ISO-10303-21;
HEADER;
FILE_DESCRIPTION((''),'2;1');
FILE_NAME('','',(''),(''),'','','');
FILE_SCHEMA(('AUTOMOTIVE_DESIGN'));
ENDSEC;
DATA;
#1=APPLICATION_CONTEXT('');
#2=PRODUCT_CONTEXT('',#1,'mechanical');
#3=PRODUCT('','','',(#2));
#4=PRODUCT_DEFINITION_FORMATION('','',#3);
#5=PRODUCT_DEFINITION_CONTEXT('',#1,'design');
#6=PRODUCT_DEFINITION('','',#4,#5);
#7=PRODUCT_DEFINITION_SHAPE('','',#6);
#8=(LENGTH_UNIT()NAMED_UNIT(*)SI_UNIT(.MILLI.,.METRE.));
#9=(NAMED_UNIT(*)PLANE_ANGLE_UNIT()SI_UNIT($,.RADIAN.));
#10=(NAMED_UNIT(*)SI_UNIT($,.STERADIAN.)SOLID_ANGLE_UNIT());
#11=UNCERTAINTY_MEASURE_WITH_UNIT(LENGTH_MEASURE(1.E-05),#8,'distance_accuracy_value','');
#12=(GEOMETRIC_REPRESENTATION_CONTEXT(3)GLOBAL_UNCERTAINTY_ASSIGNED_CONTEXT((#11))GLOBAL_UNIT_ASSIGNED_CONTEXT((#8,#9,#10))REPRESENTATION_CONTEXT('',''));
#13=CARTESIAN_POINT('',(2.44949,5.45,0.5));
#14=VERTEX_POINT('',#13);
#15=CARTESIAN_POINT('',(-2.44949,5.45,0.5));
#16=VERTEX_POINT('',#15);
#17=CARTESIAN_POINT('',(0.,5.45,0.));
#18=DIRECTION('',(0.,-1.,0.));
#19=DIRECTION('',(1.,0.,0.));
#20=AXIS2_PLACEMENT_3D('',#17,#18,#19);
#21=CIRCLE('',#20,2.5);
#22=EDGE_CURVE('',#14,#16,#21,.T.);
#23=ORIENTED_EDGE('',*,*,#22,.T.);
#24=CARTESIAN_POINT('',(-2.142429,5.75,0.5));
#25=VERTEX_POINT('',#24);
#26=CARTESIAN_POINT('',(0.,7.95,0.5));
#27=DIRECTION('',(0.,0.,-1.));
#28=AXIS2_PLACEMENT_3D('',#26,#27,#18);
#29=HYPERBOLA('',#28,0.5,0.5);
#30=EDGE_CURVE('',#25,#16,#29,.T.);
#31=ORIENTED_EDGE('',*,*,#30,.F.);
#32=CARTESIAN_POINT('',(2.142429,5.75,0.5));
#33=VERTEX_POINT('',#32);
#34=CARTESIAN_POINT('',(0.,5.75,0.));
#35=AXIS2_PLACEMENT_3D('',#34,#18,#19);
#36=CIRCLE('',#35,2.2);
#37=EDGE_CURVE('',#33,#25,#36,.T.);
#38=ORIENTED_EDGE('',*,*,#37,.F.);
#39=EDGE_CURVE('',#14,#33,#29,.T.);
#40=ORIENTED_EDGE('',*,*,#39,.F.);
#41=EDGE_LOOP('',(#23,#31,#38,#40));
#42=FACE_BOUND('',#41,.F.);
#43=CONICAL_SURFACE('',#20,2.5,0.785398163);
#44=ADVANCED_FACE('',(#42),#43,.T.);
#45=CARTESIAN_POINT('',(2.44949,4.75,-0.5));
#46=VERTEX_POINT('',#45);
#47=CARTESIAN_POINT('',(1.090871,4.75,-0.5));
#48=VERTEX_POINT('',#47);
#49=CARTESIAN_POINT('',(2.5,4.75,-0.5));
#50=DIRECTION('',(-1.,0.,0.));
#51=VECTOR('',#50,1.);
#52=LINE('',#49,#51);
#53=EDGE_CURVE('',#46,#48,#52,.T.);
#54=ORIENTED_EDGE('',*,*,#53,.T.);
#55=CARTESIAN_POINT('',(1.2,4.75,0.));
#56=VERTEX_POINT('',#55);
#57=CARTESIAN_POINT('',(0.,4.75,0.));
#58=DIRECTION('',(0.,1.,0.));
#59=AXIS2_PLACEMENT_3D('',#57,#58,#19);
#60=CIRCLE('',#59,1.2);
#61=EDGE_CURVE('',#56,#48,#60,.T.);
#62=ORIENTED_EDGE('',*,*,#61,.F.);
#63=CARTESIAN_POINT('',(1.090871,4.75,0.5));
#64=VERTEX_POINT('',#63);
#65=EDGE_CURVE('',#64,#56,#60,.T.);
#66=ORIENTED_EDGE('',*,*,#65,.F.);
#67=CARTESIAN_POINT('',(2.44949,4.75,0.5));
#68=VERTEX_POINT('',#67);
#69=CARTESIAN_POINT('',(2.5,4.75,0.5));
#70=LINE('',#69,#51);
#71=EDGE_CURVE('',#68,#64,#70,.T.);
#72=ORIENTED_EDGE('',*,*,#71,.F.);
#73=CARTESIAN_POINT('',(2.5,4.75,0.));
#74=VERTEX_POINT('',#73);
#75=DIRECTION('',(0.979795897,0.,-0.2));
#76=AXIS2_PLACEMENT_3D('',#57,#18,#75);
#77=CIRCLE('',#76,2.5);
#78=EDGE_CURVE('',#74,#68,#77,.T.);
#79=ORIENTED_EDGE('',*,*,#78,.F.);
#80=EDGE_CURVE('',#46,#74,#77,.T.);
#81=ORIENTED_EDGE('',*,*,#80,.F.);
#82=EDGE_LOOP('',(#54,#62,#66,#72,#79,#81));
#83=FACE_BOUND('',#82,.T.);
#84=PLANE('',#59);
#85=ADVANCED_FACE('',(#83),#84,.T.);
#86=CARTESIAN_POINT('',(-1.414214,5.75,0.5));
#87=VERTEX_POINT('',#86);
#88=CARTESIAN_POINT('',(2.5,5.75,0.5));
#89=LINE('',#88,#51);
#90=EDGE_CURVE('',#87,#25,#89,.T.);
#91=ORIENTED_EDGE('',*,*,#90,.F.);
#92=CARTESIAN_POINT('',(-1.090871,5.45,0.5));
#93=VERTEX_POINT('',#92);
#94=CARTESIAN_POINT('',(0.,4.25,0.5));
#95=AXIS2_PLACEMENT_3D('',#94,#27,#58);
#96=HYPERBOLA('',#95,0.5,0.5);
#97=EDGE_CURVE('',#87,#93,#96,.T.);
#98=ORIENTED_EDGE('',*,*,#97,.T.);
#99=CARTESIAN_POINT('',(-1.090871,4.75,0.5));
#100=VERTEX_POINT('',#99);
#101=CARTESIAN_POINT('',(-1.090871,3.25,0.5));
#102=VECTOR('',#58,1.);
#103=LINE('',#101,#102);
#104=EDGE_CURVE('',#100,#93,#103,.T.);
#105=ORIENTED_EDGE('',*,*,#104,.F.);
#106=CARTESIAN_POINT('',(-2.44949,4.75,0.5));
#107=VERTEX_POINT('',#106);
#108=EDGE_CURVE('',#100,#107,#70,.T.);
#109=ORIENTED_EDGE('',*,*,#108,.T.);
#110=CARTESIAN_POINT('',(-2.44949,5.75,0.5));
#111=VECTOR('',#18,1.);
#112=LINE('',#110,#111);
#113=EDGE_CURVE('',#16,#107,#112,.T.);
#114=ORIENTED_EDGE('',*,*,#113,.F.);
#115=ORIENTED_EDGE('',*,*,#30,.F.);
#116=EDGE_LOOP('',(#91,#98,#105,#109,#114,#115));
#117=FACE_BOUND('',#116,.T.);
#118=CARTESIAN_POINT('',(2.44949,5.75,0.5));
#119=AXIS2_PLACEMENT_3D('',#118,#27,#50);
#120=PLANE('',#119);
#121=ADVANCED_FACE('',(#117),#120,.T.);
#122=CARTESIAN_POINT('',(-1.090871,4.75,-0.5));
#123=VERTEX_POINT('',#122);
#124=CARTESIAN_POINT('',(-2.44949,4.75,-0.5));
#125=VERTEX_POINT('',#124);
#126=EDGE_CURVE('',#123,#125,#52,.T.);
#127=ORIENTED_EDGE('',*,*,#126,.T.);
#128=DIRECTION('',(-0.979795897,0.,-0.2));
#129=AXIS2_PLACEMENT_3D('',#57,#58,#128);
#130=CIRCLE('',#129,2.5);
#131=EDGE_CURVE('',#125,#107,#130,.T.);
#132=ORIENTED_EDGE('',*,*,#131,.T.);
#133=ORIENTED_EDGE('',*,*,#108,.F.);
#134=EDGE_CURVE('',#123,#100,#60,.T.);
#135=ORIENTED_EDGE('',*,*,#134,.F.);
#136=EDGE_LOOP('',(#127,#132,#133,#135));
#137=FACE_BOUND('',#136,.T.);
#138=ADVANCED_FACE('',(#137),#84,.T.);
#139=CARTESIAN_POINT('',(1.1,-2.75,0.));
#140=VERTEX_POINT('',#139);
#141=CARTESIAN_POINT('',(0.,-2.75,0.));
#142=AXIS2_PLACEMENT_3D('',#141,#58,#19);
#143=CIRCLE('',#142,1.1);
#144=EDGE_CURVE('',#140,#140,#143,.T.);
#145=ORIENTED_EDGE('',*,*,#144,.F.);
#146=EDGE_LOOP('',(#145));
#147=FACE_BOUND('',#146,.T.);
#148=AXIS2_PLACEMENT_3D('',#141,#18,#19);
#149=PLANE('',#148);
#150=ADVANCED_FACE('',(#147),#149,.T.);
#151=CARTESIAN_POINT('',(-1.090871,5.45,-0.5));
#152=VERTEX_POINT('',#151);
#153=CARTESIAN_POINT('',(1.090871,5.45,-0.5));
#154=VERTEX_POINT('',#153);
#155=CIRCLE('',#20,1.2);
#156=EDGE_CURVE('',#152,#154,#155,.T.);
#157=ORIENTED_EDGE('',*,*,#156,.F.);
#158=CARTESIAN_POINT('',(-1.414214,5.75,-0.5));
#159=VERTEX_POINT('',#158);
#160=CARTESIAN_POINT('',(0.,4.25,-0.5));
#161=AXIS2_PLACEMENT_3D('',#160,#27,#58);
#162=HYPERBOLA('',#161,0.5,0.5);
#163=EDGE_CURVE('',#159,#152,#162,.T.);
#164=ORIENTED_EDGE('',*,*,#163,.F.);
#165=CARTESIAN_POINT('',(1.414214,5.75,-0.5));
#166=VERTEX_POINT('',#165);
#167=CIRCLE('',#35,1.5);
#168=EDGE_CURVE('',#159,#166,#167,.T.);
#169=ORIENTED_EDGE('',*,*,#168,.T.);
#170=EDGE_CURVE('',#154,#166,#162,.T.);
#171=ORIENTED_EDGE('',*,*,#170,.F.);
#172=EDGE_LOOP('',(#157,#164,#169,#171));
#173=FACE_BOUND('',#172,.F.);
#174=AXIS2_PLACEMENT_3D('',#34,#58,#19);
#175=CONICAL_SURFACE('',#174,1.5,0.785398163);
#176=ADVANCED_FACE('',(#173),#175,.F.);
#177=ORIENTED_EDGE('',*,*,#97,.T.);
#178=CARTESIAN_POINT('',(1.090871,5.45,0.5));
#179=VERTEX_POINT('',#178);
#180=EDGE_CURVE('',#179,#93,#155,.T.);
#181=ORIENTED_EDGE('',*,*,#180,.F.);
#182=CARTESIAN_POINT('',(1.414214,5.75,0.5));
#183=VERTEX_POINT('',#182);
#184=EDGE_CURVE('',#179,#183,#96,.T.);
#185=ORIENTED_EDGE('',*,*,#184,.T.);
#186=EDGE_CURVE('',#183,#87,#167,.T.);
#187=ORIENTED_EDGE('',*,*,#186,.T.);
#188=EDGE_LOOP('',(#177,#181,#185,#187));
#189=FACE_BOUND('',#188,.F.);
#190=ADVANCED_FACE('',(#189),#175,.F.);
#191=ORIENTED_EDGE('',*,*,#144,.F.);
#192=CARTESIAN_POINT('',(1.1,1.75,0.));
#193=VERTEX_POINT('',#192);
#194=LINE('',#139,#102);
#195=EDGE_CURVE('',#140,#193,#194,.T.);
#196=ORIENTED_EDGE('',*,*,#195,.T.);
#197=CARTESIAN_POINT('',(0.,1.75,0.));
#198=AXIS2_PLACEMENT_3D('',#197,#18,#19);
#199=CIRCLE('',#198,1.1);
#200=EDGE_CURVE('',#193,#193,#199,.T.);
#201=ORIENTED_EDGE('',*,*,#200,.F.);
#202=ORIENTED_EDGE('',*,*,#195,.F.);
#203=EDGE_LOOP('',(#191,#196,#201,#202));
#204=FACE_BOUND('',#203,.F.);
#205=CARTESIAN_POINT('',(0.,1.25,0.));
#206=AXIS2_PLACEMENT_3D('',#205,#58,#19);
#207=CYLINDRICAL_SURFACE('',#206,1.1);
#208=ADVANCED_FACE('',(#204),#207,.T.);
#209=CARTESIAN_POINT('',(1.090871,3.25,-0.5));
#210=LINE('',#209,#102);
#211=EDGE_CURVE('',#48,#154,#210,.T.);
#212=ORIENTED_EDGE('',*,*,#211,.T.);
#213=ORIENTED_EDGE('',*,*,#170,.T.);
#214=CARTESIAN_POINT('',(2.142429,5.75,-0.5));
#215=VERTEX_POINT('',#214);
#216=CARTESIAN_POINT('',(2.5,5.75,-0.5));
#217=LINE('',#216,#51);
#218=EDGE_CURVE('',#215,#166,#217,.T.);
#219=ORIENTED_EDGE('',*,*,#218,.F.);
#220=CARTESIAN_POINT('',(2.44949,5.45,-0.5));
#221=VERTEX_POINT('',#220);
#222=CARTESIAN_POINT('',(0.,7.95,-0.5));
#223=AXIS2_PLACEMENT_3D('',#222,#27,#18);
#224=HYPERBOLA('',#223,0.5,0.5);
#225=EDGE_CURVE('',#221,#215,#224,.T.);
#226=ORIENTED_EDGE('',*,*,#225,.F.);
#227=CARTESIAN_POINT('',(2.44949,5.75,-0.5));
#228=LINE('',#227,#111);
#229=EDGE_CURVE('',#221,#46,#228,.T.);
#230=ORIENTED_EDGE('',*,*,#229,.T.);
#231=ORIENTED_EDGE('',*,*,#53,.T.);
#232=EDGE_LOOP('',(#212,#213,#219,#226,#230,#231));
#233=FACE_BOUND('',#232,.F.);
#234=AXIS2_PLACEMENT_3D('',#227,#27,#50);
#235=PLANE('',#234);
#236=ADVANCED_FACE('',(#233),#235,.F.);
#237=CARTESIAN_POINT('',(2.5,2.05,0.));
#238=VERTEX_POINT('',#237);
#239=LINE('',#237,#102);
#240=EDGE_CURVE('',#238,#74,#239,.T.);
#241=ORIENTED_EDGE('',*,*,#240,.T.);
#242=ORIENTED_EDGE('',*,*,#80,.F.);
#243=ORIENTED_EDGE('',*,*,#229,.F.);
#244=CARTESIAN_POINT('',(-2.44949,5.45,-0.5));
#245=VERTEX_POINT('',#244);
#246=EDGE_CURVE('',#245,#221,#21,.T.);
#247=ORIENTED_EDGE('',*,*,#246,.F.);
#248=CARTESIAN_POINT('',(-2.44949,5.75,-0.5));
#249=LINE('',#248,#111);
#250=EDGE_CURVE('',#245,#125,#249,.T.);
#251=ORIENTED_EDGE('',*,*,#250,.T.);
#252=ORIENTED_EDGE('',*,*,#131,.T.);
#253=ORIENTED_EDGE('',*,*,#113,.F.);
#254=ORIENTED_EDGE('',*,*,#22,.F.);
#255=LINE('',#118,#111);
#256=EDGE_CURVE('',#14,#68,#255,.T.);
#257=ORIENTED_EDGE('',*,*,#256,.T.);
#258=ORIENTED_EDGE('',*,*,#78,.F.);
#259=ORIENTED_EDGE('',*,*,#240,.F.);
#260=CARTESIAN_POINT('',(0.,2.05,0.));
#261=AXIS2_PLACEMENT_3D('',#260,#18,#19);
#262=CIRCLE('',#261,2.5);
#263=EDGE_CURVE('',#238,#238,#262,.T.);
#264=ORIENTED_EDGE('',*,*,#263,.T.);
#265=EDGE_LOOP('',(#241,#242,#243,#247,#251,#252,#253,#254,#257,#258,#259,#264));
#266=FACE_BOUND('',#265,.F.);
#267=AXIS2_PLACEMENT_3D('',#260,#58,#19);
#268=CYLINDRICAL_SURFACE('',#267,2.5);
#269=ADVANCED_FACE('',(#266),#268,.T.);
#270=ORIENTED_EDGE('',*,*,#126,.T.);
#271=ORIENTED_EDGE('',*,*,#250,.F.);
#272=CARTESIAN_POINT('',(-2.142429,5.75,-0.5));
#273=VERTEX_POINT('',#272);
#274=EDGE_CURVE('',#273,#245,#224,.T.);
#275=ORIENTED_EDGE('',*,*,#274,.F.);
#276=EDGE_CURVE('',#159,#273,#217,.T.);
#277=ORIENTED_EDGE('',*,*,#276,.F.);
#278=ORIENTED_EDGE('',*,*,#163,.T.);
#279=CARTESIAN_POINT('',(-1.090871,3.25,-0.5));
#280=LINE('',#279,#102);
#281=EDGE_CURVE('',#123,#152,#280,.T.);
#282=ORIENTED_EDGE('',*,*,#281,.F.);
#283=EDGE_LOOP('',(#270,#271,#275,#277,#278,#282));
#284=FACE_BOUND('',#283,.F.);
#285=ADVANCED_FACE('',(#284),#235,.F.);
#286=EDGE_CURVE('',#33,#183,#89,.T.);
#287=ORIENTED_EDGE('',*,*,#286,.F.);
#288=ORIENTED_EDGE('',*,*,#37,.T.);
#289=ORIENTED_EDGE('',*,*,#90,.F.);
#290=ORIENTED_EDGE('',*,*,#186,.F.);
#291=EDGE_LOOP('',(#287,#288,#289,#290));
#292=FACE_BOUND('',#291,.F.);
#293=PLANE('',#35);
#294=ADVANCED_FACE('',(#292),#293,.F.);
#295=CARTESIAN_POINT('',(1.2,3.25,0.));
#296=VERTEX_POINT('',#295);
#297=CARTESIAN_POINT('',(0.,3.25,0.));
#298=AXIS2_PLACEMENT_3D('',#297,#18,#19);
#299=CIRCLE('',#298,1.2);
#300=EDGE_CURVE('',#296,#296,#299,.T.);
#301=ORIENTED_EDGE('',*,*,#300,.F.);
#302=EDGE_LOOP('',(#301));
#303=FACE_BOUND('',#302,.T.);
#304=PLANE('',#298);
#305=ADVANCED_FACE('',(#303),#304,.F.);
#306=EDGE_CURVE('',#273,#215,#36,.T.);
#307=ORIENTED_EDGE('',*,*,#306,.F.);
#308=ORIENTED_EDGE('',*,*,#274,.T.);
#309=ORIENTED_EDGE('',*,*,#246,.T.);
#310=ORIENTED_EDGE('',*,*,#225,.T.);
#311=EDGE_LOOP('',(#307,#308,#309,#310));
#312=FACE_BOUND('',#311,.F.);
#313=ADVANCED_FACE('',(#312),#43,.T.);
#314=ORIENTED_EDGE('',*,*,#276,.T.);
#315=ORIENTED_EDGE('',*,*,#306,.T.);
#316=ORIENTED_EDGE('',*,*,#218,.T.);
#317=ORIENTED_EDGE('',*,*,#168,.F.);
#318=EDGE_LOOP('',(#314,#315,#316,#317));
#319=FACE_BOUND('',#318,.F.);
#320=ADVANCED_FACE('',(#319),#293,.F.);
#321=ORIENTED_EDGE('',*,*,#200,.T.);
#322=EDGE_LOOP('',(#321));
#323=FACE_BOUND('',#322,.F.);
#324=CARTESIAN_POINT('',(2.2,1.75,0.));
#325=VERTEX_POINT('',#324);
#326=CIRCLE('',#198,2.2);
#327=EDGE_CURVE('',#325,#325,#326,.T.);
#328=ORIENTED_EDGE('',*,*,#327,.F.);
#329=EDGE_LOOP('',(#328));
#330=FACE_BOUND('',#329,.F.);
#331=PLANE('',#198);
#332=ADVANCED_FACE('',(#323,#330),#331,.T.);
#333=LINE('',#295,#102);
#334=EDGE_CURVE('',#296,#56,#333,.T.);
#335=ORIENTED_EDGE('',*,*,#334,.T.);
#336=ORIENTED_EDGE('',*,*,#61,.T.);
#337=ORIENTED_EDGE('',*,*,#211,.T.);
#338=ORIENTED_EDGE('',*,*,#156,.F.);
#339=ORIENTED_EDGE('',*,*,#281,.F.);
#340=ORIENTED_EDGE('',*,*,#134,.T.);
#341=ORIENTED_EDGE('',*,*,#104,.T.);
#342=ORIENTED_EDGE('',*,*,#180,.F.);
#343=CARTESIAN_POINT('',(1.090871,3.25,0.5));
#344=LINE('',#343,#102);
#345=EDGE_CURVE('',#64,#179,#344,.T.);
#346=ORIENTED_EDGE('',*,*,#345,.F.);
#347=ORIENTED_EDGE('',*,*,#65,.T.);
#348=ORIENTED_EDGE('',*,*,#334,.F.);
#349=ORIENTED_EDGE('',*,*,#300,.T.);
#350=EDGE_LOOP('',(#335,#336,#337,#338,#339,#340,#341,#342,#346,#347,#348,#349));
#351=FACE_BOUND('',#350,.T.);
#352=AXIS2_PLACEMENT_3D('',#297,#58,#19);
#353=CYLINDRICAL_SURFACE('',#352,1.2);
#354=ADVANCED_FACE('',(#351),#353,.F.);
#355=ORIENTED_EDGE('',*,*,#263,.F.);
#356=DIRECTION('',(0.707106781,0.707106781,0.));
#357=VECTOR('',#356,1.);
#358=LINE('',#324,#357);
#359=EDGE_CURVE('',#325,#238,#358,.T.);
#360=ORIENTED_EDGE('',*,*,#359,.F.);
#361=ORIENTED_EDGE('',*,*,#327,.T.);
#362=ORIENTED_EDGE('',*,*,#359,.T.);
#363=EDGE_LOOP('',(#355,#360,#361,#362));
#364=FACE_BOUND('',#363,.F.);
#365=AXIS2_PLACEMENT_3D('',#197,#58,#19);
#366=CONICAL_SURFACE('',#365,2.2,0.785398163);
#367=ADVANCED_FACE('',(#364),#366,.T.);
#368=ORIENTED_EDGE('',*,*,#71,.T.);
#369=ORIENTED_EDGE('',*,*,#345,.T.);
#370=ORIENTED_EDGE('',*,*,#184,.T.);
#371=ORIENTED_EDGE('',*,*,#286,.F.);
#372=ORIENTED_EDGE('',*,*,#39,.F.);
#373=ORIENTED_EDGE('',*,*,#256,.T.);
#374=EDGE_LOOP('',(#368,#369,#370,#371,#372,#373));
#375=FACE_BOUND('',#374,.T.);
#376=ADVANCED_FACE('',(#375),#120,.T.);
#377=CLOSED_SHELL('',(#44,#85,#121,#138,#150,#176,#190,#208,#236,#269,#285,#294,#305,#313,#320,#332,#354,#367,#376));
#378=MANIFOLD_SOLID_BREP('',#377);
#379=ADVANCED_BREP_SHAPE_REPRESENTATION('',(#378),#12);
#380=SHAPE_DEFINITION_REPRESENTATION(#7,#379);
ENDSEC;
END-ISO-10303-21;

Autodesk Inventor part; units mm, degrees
ref_plane "YZ Plane" through (0, 0, 0) normal (1, 0, 0) x (0, 1, 0)
ref_plane "XZ Plane" through (0, 0, 0) normal (0, 1, 0) x (-1, 0, 0)
ref_plane "XY Plane" through (0, 0, 0) normal (0, 0, 1) x (1, 0, 0)
sketch "スケッチ1" plane through (0, 0, 0) normal (0, 0, 1) x (1, 0, 0)
  line L0 (0, -3.25) -> (0.8, -3.25)
  line L1 (0.8, -3.25) -> (1.1, -2.95)
  line L2 (1.1, -2.95) -> (1.1, 1.25)
  line L3 (1.1, 1.25) -> (1.1, 1.25)
  line L4 (1.1, 1.25) -> (1.1, 1.75)
  line L5 (1.1, 1.75) -> (2.2, 1.75)
  line L6 (2.5, 5.45) -> (2.2, 5.75)
  line L7 (2.2, 5.75) -> (1.5, 5.75)
  line L8 (1.5, 5.75) -> (1.2, 5.45)
  line L9 (0, 7.4044) -> (0, -7.4044) construction
  line L10 (0, -3.25) -> (0, 3.25)
  line L11 (0, 3.25) -> (1.2, 3.25)
  line L12 (1.2, 3.25) -> (1.2, 5.45)
  line L13 (2.2, 1.75) -> (2.5, 2.05)
  line L14 (2.5, 2.05) -> (2.5, 5.45)
  point P0 (0, 0)
  point P1 (0, 0)
  dimension "d0" = 2.2
  dimension "d1" = 5
  dimension "d2" = 0.3
  dimension "d3" = 0.3
  dimension "d4" = 2.2
  dimension "d5" = 0.5
  dimension "d6" = 4
  dimension "d8" = 0.3
  dimension "d9" = 2.4
  dimension "d10" = 2.5
  dimension "d11" = 0.3
  dimension "d12" = 0.3
  dimension "d13" = 0.3
  dimension "d14" = 0.3
  dimension "d15" = 5
revolve "回転1" add sketch "スケッチ1" angle 360 about axis through (0, 7.4044, 0) along (0, -1, 0)
sketch "スケッチ2" plane through (0, -3.25, 0) normal (0, -1, 0) x (1, 0, 0)
  circle A0 centre (0, 0) radius 0.8 projected
  circle A1 centre (0, 0) radius 9.0242
extrude "押し出し1" cut sketch "スケッチ2" against normal blind 0.5 contours A0 | A1
sketch "スケッチ3" plane through (0, 5.75, 0) normal (0, 1, 0) x (1, 0, 0)
  circle A0 centre (0, 0) radius 2.5 projected
  line L0 (2.5, 0) -> (-2.5, 0)
  line L1 (2.5, -0.5) -> (-2.5, -0.5)
  line L2 (2.5, 0.5) -> (-2.5, 0.5)
  line L3 (2.5, -0.5) -> (2.5, 0.5)
  line L4 (-2.5, -0.5) -> (-2.5, 0.5)
  point P0 (0, 0)
  point P1 (-2.4495, -0.5)
  point P2 (2.4495, -0.5)
  point P3 (2.4495, 0.5)
  point P4 (-2.4495, 0.5)
  dimension "d19" = 0.5
extrude "押し出し2" cut sketch "スケッチ3" against normal blind 1 contours L0 A0 L2 | A0 L1 L0
equation "\"d3\" = d2"
equation "\"d11\" = d8"
equation "\"d12\" = d8"
equation "\"d13\" = d12"
equation "\"d14\" = d13"
properties part number "BRU-2604S" material "ステンレス鋼 AISI 304"
